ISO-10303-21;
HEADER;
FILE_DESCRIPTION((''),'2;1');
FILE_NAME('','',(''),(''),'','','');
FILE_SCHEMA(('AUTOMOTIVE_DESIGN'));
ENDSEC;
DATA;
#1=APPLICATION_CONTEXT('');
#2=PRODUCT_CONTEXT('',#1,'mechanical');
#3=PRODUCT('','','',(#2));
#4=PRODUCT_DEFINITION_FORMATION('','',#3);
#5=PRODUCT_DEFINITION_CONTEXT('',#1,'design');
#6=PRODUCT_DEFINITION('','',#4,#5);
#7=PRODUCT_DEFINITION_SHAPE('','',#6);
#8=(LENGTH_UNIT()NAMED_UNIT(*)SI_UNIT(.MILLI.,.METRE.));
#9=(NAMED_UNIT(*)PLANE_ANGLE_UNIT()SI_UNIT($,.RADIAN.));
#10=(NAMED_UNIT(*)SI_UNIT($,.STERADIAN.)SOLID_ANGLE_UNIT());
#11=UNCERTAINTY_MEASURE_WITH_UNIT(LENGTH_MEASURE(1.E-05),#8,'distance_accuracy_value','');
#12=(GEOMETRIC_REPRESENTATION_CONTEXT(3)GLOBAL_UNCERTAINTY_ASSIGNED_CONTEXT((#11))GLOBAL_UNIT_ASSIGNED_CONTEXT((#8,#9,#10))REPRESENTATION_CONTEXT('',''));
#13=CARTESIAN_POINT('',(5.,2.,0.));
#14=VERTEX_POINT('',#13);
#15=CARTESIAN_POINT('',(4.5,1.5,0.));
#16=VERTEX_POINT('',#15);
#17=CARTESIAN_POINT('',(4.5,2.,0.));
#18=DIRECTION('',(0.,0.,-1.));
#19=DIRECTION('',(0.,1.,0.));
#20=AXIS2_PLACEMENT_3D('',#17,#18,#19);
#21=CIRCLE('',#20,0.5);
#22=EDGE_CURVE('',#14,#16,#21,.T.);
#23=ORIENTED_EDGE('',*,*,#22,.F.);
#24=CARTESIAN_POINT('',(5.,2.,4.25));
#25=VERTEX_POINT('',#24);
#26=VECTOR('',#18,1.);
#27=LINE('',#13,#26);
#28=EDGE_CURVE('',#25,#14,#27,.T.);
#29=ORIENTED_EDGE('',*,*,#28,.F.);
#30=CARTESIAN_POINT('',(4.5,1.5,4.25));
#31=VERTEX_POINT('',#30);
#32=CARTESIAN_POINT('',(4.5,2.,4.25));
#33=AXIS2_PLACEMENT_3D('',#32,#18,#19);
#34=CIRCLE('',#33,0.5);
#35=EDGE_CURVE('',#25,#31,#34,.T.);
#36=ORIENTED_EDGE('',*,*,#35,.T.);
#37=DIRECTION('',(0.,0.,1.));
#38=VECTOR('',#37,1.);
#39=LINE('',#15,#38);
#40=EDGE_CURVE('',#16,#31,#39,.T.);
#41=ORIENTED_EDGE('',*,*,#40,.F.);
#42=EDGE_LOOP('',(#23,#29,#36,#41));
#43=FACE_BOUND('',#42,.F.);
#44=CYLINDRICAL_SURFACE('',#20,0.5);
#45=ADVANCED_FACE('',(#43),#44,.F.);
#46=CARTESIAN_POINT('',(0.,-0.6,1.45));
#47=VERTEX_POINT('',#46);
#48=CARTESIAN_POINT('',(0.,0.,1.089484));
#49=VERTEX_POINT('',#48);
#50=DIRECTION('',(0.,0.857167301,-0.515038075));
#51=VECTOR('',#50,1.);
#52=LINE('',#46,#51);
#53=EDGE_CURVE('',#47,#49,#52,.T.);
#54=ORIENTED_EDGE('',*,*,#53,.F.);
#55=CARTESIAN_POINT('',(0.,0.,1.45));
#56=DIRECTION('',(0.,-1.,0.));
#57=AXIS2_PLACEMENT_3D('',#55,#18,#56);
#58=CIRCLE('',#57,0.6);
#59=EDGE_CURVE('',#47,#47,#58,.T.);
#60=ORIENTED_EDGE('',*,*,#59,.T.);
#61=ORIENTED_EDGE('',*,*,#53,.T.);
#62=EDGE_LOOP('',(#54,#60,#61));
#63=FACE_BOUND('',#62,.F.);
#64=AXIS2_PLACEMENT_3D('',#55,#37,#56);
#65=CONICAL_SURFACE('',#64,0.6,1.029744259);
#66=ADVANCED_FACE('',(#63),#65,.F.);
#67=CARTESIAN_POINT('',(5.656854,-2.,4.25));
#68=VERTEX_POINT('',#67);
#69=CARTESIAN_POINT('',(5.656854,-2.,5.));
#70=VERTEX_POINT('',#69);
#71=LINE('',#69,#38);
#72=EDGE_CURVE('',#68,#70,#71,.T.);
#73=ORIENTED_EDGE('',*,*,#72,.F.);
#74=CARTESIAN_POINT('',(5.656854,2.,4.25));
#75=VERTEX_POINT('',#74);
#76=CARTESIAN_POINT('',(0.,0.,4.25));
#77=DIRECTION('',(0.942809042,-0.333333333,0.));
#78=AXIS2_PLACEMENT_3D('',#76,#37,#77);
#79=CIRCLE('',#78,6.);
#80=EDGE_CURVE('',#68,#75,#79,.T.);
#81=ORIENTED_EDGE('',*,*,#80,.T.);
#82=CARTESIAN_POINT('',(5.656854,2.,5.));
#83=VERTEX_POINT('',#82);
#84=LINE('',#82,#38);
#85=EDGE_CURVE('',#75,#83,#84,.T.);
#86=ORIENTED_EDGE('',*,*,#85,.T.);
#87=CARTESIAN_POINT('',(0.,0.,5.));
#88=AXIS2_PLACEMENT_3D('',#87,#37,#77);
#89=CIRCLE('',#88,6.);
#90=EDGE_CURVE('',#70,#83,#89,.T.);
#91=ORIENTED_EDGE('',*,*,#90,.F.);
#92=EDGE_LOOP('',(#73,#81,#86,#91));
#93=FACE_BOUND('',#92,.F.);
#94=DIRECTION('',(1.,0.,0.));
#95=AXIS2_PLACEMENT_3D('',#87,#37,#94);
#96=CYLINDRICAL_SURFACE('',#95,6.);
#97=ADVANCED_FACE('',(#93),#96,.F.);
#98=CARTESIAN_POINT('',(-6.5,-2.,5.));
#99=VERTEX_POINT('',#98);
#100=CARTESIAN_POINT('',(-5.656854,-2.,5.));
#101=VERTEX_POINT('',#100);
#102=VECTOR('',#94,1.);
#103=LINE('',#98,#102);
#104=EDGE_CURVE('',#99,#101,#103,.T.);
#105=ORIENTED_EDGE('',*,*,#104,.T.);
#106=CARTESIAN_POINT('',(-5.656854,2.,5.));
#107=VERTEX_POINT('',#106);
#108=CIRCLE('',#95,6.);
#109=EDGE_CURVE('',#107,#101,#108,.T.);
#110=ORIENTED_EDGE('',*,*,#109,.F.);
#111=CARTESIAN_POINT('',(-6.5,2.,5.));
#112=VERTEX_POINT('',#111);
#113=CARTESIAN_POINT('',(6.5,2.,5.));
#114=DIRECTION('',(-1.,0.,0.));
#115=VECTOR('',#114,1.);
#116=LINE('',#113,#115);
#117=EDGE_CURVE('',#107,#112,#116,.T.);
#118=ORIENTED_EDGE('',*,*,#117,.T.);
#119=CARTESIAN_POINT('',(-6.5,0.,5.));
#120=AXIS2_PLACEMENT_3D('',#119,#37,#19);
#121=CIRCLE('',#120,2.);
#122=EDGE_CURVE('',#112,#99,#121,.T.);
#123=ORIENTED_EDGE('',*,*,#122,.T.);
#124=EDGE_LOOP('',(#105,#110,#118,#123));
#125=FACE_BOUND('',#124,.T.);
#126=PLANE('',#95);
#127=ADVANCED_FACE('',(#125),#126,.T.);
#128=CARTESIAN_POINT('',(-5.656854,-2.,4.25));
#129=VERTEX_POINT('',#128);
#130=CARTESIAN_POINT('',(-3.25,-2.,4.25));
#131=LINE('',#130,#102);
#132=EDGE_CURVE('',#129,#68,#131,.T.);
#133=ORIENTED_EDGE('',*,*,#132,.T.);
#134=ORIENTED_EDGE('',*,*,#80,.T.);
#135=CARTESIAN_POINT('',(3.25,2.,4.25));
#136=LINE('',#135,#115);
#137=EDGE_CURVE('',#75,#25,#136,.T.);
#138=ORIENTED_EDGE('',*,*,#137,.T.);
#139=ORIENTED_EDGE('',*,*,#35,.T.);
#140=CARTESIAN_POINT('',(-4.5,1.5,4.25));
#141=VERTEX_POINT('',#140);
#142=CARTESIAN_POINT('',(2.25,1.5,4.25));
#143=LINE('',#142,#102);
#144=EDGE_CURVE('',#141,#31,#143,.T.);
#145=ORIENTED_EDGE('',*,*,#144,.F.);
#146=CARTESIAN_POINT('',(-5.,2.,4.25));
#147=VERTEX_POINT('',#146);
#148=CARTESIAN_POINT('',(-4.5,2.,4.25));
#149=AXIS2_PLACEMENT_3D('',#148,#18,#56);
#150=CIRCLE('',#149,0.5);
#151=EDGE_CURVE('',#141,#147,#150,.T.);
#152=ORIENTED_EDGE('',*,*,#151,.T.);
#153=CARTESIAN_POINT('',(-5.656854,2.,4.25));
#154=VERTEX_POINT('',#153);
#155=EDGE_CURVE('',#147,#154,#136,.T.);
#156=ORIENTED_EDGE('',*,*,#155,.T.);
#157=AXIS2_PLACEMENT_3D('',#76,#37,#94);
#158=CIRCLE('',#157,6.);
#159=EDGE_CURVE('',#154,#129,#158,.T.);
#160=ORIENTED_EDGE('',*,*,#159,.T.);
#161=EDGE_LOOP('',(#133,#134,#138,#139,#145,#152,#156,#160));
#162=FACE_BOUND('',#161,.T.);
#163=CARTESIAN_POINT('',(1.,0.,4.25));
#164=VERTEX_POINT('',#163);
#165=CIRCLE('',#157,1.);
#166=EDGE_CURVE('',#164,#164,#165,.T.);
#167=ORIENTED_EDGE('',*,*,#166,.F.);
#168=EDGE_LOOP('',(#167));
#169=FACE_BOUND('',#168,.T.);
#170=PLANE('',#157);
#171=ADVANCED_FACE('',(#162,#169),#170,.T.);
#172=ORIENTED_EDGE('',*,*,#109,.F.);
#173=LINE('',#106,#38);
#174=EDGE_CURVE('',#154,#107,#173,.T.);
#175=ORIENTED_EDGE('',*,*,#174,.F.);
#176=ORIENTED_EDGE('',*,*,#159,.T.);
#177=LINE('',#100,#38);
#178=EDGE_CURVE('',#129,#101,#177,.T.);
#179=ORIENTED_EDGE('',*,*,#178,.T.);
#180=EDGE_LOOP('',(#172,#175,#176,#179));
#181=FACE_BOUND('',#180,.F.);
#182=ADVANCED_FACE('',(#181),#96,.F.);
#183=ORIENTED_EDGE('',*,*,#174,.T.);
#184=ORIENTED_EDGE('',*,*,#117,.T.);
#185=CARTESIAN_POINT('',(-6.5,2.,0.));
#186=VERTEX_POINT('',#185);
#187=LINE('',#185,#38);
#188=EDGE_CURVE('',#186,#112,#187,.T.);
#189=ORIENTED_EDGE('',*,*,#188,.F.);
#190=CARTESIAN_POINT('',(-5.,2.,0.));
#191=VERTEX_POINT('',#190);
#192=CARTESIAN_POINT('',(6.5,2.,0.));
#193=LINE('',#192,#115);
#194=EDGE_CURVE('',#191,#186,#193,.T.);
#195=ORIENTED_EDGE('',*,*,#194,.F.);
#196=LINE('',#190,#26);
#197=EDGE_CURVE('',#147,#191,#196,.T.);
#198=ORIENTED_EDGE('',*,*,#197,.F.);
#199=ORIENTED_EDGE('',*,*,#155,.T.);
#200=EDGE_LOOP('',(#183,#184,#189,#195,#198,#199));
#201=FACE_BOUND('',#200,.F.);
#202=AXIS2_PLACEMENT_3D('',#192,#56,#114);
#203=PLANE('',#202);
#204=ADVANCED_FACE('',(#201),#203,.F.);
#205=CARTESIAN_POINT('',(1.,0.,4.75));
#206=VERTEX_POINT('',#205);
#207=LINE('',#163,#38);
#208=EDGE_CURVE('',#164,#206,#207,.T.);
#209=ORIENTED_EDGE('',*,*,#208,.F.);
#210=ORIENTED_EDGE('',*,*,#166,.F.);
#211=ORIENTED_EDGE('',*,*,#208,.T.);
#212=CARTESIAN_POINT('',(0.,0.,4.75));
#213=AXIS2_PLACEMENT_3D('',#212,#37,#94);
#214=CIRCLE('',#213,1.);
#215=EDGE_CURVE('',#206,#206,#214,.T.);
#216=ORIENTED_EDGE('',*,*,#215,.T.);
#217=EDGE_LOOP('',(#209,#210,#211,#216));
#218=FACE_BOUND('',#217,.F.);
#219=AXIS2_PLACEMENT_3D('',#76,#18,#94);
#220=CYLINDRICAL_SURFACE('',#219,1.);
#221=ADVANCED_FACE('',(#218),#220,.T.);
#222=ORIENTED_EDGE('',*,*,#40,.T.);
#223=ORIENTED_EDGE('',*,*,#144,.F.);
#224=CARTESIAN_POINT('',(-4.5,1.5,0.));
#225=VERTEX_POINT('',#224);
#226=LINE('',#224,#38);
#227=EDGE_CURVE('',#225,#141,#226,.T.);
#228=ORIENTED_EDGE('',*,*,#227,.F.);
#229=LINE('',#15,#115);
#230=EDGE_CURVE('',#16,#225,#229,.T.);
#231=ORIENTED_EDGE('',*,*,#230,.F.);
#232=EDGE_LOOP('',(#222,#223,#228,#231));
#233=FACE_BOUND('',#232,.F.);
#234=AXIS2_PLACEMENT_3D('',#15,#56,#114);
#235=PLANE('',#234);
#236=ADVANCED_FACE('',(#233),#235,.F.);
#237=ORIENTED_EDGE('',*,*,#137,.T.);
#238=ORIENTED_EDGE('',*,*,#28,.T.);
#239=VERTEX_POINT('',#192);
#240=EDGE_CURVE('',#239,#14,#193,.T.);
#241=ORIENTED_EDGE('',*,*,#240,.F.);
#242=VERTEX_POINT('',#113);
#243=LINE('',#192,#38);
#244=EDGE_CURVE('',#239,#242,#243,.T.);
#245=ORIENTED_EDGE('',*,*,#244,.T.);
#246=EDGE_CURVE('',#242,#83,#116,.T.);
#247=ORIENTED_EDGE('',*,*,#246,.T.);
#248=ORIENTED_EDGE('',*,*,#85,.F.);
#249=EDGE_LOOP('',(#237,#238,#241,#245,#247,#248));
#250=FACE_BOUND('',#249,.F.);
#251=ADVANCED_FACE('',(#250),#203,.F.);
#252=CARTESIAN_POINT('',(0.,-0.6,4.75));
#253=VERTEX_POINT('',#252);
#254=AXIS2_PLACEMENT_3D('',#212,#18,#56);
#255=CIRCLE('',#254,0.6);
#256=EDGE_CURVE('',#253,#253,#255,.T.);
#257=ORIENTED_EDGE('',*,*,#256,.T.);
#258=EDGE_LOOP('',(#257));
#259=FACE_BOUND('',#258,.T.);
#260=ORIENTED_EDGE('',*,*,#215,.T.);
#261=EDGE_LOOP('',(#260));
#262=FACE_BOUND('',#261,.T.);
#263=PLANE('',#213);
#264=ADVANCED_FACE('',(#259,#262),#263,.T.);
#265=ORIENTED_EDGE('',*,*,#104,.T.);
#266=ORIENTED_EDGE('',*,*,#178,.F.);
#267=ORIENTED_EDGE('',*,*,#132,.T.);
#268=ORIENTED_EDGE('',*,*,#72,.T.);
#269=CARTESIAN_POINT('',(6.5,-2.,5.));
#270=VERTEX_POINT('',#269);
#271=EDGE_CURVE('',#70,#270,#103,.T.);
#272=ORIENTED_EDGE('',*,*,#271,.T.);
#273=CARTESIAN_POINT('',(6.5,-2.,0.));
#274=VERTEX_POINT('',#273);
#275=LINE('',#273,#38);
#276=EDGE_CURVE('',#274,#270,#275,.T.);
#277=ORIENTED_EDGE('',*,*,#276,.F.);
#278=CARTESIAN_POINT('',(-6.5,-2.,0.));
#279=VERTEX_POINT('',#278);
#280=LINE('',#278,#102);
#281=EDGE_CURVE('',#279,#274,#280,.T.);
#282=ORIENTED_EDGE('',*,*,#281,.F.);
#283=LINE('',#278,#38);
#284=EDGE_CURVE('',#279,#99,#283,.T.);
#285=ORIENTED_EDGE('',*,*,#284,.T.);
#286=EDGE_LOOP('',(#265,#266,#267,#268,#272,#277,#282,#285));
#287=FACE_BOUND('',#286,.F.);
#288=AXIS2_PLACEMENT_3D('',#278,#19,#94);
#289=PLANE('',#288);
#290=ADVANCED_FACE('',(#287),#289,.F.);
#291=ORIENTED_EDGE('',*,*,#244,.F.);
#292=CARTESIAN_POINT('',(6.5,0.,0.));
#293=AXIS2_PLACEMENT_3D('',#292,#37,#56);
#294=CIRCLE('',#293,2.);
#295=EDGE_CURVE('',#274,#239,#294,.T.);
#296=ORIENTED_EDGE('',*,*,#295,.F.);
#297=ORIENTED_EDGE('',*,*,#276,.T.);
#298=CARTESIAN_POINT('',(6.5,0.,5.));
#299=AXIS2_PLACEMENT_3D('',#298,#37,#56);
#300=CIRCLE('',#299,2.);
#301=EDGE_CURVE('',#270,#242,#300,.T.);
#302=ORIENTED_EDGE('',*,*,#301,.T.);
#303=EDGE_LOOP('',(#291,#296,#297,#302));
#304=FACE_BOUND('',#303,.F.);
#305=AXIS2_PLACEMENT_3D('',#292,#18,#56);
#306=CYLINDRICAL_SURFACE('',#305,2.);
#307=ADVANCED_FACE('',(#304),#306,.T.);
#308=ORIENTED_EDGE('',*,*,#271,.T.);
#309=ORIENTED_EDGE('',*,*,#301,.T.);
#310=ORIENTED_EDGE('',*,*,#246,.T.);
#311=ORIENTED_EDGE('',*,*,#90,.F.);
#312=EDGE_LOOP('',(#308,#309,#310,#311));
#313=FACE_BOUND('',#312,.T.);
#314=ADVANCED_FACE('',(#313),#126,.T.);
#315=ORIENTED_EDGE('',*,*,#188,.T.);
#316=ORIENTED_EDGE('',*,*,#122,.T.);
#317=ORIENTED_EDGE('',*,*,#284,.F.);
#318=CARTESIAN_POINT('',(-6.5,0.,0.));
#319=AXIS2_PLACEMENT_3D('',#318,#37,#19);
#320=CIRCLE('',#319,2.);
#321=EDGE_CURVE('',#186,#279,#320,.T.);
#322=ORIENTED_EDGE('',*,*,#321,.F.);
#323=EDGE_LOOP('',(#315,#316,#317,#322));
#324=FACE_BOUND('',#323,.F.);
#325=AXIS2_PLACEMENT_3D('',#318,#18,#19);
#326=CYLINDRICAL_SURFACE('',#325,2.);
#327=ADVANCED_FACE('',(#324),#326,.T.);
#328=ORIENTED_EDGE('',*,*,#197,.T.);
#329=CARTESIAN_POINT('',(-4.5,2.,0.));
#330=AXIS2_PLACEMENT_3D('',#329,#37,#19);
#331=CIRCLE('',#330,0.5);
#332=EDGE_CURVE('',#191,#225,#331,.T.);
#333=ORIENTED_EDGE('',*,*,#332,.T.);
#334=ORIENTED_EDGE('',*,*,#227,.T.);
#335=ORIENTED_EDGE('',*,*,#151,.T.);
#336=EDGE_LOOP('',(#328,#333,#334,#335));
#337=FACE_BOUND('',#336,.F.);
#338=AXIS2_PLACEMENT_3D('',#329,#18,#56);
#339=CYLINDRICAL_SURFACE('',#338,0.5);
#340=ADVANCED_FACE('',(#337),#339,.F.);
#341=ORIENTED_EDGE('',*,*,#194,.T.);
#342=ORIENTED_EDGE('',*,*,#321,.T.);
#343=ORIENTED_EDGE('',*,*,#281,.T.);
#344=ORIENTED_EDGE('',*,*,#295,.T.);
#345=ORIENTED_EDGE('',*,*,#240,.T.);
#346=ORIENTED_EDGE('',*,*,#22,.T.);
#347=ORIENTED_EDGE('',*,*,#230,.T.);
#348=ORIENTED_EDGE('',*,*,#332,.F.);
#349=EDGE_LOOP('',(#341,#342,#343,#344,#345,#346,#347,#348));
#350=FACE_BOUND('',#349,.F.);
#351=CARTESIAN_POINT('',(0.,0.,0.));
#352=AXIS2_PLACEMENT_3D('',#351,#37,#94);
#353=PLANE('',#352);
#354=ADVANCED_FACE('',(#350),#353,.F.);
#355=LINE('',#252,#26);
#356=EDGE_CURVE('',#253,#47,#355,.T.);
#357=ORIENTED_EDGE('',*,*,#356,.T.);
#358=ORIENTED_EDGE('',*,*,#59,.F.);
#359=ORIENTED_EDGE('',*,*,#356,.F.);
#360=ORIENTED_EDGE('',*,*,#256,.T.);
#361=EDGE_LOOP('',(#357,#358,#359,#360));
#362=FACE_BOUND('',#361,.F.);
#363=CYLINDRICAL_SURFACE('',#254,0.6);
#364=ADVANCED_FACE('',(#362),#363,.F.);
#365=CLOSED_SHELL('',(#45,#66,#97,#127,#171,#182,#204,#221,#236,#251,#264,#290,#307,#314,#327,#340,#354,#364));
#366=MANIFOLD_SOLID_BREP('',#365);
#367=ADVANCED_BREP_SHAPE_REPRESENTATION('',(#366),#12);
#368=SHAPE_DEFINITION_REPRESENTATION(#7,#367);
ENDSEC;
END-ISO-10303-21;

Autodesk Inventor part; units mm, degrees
ref_plane "YZ Plane" through (0, 0, 0) normal (1, 0, 0) x (0, 1, 0)
ref_plane "XZ Plane" through (0, 0, 0) normal (0, 1, 0) x (-1, 0, 0)
ref_plane "XY Plane" through (0, 0, 0) normal (0, 0, 1) x (1, 0, 0)
sketch "Sketch1" plane through (0, 0, 0) normal (0, 0, 1) x (1, 0, 0)
  line L0 (-6.5, 0) -> (6.5, 0) construction
  line L1 (-6.5, -2) -> (6.5, -2)
  line L2 (6.5, 2) -> (-6.5, 2)
  arc A0 (-6.5, 2) -> (-6.5, -2) centre (-6.5, 0) ccw
  arc A1 (6.5, -2) -> (6.5, 2) centre (6.5, 0) ccw
  point P0 (0, 0)
  dimension "d0" = 17
  dimension "d1" = 4
extrude "Extrusion1" add sketch "Sketch1" along normal blind 5
sketch "Sketch2" plane through (0, 0, 5) normal (0, 0, 1) x (1, 0, 0)
  circle A0 centre (0, 0) radius 6
  dimension "d4" = 12
extrude "Extrusion2" cut sketch "Sketch2" against normal blind 0.75
sketch "Sketch3" plane through (0, 0, 4.25) normal (0, 0, 1) x (1, 0, 0)
  circle A0 centre (0, 0) radius 1
  dimension "d7" = 2
extrude "Extrusion3" add sketch "Sketch3" along normal blind 0.5
hole "Hole1" at (0, 0, 4.75) direction (0, 0, -1) diameter 1.2 depth 3.3 tip angle 118
sketch "Sketch4" plane through (0, 0, 0) normal (0, 0, -1) x (-1, 0, 0)
  line L0 (6.5, -2) -> (-6.5, -2) projected
  arc A0 (6.5, -2) -> (6.5, 2) centre (6.5, 0) ccw projected
  line L1 (-6.5, 2) -> (6.5, 2) projected
  arc A1 (-6.5, 2) -> (-6.5, -2) centre (-6.5, 0) ccw projected
  line L2 (-4.5, 2) -> (4.5, 2) construction
  line L3 (-6.5, 2) -> (6.5, 2) projected
  line L4 (-4.5, 1.5) -> (4.5, 1.5)
  line L5 (4.5, 2.5) -> (-4.5, 2.5)
  arc A2 (-4.5, 2.5) -> (-4.5, 1.5) centre (-4.5, 2) ccw
  arc A3 (4.5, 1.5) -> (4.5, 2.5) centre (4.5, 2) ccw
  point P0 (0, 0)
  point P1 (0, 2)
  point P2 (0, 2)
  dimension "d19" = 0.5
  dimension "d20" = 10
extrude "Extrusion4" cut sketch "Sketch4" against normal through all contours A3 L4 A2 L1 | L1 A2 L5 A3
properties part number "phalanx_1_gearbox_support"
